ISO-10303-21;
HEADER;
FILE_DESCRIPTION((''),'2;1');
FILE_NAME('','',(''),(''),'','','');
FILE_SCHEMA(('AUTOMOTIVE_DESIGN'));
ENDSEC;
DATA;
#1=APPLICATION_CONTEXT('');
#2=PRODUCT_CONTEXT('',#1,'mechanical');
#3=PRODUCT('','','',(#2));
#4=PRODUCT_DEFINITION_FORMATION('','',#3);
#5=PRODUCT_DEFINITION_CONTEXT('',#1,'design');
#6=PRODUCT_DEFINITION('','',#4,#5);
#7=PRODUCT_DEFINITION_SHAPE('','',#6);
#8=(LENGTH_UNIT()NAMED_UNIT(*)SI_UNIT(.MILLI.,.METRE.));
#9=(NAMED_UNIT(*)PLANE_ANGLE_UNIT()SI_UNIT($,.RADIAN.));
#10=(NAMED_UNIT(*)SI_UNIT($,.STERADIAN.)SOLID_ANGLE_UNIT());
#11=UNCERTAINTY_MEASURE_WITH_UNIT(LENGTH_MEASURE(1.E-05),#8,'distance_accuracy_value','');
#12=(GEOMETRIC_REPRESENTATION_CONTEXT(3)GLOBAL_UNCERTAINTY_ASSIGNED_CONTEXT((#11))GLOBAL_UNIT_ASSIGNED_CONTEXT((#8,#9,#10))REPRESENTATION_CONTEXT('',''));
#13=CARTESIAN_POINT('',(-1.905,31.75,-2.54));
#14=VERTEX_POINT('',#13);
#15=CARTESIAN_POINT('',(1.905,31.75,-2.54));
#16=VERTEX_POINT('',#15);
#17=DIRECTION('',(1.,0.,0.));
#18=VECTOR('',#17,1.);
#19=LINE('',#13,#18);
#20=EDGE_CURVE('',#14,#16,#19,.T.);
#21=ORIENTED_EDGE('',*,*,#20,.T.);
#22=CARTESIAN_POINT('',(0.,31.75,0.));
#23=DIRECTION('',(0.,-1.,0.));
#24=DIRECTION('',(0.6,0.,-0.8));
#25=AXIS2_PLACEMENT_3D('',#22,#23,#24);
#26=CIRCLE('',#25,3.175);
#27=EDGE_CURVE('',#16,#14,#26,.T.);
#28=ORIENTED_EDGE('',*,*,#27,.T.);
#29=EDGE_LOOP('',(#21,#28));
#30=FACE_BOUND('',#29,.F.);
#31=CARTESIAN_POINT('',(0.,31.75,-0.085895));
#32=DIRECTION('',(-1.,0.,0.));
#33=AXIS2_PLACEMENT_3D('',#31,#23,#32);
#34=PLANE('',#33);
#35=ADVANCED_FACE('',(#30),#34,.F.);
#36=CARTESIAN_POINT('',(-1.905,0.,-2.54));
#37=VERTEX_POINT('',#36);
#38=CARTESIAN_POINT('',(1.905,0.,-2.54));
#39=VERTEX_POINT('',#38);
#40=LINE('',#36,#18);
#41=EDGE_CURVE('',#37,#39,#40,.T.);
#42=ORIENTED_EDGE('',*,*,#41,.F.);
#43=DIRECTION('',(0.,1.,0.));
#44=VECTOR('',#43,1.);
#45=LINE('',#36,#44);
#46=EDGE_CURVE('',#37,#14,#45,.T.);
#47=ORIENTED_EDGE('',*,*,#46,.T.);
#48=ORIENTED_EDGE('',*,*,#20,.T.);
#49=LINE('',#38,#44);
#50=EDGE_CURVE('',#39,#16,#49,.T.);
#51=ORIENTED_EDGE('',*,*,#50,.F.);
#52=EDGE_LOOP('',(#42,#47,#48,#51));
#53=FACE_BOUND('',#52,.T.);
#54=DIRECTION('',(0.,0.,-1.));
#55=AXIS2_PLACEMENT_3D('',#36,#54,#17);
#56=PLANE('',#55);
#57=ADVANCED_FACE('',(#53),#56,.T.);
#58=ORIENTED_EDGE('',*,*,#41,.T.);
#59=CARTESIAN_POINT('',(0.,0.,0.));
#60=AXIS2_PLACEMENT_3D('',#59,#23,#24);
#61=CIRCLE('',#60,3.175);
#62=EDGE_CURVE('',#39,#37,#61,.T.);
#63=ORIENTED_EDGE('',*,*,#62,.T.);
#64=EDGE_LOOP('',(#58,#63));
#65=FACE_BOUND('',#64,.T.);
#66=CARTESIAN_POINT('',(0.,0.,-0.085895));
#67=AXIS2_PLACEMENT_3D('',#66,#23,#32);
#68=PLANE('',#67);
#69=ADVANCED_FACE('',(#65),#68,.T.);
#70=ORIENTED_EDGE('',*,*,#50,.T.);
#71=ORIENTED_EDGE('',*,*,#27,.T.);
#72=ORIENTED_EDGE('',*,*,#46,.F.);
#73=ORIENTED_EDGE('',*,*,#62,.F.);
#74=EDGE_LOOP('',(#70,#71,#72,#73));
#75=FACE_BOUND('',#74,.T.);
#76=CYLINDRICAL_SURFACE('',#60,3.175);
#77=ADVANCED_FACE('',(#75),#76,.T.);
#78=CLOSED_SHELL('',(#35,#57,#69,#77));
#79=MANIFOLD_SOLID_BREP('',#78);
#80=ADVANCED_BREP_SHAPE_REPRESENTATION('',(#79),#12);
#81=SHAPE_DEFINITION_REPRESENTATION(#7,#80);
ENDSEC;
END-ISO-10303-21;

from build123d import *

# Parameters (mm, degrees)
BOSS_EXTRUDE1_DEPTH = 31.75


with BuildPart() as part:
    # Sketch1 → Boss-Extrude1 (new body)
    with BuildSketch(Plane(origin=(0, 0, 0), x_dir=(1, 0, 0), z_dir=(0, 1, 0))):
        with BuildLine():
            Line((-1.905, 2.54), (1.905, 2.54))
            ThreePointArc((1.905, 2.54), (0, -3.175), (-1.905, 2.54))
        make_face()
    extrude(amount=BOSS_EXTRUDE1_DEPTH)


solid = part.part
